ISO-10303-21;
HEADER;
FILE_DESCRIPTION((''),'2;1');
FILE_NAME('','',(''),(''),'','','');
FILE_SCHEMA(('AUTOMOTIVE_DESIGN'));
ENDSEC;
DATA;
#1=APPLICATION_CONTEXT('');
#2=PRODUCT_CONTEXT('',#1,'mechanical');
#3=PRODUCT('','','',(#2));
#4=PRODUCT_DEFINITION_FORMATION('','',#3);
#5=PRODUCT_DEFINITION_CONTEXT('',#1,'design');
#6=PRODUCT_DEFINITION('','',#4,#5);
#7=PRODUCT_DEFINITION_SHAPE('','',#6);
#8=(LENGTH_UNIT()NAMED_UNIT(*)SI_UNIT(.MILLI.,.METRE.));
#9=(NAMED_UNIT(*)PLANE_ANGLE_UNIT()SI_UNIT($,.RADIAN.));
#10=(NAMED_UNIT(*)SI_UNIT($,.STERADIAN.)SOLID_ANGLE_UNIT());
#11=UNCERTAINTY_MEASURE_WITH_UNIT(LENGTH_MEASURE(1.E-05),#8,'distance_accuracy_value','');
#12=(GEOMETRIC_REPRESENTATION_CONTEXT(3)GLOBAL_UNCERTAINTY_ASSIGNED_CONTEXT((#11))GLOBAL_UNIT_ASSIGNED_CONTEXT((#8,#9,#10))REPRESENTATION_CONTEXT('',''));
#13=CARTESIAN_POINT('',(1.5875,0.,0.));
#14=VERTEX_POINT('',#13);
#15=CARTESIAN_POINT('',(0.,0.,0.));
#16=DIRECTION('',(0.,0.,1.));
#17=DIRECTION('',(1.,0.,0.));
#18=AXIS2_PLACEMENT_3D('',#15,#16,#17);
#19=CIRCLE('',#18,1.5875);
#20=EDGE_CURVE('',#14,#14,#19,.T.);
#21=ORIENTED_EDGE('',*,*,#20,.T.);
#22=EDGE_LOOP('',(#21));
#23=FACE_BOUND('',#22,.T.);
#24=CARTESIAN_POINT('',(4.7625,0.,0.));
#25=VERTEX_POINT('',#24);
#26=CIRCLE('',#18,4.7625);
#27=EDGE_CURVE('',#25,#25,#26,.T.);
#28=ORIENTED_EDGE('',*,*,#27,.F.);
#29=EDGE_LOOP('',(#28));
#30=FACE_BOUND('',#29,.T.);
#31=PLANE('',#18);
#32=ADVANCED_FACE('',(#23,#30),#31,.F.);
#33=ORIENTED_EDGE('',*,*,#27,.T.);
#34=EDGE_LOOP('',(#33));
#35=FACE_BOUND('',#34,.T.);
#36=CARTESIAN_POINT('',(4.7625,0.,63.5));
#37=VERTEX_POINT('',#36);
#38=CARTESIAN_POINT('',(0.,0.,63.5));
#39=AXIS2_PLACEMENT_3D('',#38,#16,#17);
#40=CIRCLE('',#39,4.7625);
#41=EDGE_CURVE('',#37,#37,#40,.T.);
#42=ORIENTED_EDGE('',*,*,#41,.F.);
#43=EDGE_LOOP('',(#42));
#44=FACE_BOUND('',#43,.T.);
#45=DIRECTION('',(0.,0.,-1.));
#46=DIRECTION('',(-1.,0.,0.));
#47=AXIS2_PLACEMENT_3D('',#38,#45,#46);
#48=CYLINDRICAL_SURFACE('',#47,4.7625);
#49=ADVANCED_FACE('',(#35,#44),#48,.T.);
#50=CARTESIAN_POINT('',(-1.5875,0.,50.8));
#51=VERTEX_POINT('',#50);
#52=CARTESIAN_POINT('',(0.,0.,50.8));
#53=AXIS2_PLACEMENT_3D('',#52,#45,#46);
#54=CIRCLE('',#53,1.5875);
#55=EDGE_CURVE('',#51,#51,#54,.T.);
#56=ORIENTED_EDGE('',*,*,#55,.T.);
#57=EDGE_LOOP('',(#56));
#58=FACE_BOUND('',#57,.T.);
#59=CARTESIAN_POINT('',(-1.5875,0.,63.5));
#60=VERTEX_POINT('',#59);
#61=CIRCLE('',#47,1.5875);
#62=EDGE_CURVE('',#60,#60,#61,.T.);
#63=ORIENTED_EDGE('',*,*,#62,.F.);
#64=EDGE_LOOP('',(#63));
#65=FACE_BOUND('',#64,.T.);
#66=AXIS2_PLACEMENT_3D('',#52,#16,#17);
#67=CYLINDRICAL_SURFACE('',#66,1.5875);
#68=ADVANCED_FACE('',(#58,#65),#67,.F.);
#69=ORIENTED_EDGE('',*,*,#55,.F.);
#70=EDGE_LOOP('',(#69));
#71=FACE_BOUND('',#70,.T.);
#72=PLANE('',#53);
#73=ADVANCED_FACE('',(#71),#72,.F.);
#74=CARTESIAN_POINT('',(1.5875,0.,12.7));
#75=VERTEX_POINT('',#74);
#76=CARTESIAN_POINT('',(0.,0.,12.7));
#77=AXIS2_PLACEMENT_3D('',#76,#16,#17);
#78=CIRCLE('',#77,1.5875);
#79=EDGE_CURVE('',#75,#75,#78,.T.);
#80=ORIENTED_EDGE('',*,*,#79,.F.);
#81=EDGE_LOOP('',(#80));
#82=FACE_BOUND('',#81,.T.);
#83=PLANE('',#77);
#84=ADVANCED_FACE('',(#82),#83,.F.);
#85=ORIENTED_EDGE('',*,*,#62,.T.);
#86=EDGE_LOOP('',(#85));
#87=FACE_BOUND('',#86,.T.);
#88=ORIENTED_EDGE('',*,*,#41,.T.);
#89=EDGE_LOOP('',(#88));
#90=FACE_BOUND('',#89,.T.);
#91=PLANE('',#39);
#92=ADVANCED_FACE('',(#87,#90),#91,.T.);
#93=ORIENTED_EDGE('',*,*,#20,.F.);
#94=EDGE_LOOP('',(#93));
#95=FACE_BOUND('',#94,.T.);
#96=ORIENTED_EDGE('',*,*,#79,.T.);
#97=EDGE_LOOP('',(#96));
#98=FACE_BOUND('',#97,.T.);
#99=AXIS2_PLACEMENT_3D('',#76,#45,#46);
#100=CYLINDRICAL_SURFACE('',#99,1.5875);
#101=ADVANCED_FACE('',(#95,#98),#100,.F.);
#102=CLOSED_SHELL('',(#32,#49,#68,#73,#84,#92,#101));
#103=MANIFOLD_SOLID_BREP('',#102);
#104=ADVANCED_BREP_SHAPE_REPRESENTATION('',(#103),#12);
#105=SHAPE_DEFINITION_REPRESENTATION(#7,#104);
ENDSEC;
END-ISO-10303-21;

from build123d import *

# Parameters (mm, degrees)
SKETCH1_R           = 4.7625
BOSS_EXTRUDE2_DEPTH = 63.5
SKETCH5_R           = 1.5875
CUT_EXTRUDE1_DEPTH  = 12.7
CUT_EXTRUDE2_START  = 12.7
SKETCH6_R           = 1.5875
CUT_EXTRUDE2_DEPTH  = 12.7


with BuildPart() as part:
    # Sketch1 → Boss-Extrude2 (new body)
    with BuildSketch(Plane.XY):
        Circle(SKETCH1_R)
    extrude(amount=BOSS_EXTRUDE2_DEPTH)

    # Sketch5 → Cut-Extrude1 (cut)
    with BuildSketch(Plane.XY):
        Circle(SKETCH5_R)
    extrude(amount=CUT_EXTRUDE1_DEPTH, mode=Mode.SUBTRACT)

    # Sketch6 → Cut-Extrude2 (cut)
    with BuildSketch(Plane(origin=(0, 0, 63.5), x_dir=(-1, 0, 0), z_dir=(0, 0, -1)).offset(CUT_EXTRUDE2_START)):
        with Locations(Location((0, 0, 0), (0, 0, 180))):
            Circle(SKETCH6_R)
    extrude(amount=-CUT_EXTRUDE2_DEPTH, mode=Mode.SUBTRACT)


solid = part.part
